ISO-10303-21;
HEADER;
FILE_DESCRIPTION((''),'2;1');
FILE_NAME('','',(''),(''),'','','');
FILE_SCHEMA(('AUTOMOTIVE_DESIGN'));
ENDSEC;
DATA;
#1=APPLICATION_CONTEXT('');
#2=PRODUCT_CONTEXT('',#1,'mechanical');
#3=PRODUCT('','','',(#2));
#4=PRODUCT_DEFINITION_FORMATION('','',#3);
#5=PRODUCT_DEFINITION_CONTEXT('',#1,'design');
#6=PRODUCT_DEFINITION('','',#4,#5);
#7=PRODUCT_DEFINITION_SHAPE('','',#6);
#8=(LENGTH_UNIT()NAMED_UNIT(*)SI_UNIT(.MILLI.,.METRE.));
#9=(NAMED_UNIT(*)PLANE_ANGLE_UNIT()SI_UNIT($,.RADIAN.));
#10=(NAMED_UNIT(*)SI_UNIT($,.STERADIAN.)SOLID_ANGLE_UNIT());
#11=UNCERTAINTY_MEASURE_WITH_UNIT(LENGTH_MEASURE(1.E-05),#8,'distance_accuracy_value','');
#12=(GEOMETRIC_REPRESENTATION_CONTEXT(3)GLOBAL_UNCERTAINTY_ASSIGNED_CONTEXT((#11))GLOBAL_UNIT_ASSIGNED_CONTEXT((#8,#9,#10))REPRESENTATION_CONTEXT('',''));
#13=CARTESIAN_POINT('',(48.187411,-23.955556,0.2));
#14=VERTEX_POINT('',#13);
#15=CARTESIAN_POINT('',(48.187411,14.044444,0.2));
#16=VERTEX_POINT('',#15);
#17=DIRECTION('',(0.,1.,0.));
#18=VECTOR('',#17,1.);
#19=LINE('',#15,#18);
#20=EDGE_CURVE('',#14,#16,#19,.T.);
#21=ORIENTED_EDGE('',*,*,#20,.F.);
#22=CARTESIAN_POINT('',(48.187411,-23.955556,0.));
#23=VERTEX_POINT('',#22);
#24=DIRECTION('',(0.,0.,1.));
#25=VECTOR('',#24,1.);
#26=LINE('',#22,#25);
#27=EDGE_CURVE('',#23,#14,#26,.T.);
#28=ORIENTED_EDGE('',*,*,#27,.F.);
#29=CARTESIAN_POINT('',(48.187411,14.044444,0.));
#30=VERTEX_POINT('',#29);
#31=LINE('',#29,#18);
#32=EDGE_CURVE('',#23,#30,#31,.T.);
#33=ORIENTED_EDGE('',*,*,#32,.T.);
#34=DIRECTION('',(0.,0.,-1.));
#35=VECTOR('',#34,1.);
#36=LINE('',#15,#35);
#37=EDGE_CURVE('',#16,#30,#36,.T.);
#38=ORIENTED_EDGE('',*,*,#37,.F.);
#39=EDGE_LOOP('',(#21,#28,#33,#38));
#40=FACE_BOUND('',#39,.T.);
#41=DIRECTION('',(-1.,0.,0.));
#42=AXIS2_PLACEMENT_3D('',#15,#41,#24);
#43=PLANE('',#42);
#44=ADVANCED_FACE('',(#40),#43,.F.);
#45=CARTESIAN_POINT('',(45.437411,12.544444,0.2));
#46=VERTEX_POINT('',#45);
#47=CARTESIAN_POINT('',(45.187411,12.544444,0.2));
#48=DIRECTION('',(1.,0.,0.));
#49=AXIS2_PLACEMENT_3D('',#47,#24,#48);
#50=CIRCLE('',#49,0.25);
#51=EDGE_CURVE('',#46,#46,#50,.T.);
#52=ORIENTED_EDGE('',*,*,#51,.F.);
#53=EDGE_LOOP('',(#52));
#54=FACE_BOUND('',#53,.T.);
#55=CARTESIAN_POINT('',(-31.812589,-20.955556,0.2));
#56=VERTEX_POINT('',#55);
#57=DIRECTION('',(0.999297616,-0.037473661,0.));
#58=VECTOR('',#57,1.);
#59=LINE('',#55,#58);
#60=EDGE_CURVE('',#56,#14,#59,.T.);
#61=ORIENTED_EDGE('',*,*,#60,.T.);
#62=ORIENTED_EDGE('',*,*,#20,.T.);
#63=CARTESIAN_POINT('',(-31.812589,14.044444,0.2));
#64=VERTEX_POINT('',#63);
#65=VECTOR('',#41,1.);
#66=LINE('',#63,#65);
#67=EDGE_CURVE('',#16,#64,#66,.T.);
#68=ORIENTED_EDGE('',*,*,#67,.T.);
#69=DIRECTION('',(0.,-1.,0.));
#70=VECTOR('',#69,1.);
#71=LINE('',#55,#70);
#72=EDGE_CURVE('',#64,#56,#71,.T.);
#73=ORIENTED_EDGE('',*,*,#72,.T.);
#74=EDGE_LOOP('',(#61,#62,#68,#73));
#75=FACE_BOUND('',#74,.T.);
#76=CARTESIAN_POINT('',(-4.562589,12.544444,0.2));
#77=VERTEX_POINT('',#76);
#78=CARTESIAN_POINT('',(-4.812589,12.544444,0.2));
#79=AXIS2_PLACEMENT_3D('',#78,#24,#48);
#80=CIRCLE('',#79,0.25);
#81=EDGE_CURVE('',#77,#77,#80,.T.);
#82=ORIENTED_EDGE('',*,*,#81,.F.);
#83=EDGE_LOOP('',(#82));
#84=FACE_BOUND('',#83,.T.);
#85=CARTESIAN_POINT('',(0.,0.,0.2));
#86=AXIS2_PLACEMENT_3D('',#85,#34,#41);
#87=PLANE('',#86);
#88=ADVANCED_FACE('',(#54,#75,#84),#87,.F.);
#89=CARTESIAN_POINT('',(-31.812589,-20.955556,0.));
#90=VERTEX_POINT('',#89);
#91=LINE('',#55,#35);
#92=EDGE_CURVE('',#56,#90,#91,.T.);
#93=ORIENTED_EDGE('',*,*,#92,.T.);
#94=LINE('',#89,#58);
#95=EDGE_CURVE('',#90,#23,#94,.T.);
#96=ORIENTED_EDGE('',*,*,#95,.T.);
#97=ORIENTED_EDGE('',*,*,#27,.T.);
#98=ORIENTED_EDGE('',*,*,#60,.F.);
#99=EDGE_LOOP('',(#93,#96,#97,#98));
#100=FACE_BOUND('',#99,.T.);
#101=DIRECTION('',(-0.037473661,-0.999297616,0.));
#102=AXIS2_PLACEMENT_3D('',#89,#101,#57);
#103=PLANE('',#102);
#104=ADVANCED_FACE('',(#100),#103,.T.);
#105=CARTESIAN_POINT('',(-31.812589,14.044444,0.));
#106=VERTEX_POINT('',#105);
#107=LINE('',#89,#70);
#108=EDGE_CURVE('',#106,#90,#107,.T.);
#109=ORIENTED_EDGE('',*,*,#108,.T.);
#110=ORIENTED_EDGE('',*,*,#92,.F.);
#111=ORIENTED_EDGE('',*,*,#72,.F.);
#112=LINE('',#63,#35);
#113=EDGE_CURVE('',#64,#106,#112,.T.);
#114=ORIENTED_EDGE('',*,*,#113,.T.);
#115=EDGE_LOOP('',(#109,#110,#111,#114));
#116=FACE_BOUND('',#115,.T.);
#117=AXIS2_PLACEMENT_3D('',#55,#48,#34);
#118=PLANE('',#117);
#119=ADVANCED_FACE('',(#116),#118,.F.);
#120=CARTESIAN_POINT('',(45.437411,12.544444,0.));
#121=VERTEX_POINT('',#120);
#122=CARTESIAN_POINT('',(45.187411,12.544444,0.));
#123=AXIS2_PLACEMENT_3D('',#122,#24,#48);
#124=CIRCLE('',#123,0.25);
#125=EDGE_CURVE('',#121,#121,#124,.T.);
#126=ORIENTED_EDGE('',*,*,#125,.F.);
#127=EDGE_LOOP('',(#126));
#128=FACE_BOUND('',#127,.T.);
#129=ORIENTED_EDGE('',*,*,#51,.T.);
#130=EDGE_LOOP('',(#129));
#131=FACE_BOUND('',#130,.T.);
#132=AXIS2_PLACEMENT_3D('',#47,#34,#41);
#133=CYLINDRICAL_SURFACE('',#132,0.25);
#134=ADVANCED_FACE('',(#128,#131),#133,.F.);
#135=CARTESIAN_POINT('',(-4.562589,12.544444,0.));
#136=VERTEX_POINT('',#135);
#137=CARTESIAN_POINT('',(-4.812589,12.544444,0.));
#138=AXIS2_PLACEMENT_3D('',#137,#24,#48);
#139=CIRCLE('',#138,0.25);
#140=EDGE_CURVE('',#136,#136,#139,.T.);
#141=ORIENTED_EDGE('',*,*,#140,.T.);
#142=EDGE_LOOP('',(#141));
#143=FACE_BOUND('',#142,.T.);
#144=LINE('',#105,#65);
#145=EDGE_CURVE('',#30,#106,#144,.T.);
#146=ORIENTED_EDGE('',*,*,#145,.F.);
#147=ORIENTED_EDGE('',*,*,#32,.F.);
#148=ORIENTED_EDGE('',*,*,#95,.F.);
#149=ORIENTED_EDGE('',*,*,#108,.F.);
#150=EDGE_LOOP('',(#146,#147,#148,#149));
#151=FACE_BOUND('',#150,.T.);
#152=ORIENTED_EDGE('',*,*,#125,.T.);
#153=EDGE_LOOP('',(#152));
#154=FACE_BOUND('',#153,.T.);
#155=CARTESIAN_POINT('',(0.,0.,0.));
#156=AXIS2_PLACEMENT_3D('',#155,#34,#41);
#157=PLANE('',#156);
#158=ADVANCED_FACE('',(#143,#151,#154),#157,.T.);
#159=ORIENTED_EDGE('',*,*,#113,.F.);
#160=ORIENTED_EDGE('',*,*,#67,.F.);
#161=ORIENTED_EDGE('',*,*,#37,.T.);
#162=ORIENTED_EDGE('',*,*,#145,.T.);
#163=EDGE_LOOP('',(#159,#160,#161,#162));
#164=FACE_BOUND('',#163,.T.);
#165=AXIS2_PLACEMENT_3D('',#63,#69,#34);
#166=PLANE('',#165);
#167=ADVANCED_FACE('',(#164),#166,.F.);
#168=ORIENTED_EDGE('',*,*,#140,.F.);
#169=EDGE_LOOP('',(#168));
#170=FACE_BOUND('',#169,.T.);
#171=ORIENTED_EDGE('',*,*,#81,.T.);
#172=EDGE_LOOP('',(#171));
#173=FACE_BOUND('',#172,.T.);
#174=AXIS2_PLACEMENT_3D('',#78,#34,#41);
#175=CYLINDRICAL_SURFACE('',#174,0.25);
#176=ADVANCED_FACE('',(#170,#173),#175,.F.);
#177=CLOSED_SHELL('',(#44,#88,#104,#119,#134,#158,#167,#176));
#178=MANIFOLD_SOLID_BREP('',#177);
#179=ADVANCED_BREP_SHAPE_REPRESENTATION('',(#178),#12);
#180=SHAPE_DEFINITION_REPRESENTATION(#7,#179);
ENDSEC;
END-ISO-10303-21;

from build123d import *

# Parameters (mm, degrees)
SKETCH1_W           = 80
SKETCH1_H           = 35
SKETCH1_R           = 0.25
BOSS_EXTRUDE4_DEPTH = 0.2
BOSS_EXTRUDE5_DEPTH = 0.2


with BuildPart() as part:
    # Sketch1 → Boss-Extrude4 (new body)
    with BuildSketch(Plane.XY):
        with Locations((8.187411056, -3.455555556)):
            Rectangle(SKETCH1_W, SKETCH1_H)
        with Locations((-4.812588944, 12.544444444)):
            Circle(SKETCH1_R, mode=Mode.SUBTRACT)
        with Locations((45.187411056, 12.544444444)):
            Circle(SKETCH1_R, mode=Mode.SUBTRACT)
    extrude(amount=BOSS_EXTRUDE4_DEPTH)

    # Sketch3 → Boss-Extrude5 (add)
    with BuildSketch(Plane.XY.offset(0.2)):
        Polygon((-31.812588944, -20.955555556), (48.187411056, -23.955555556), (48.187411056, -20.955555556), align=None)
    extrude(amount=-BOSS_EXTRUDE5_DEPTH)


solid = part.part
